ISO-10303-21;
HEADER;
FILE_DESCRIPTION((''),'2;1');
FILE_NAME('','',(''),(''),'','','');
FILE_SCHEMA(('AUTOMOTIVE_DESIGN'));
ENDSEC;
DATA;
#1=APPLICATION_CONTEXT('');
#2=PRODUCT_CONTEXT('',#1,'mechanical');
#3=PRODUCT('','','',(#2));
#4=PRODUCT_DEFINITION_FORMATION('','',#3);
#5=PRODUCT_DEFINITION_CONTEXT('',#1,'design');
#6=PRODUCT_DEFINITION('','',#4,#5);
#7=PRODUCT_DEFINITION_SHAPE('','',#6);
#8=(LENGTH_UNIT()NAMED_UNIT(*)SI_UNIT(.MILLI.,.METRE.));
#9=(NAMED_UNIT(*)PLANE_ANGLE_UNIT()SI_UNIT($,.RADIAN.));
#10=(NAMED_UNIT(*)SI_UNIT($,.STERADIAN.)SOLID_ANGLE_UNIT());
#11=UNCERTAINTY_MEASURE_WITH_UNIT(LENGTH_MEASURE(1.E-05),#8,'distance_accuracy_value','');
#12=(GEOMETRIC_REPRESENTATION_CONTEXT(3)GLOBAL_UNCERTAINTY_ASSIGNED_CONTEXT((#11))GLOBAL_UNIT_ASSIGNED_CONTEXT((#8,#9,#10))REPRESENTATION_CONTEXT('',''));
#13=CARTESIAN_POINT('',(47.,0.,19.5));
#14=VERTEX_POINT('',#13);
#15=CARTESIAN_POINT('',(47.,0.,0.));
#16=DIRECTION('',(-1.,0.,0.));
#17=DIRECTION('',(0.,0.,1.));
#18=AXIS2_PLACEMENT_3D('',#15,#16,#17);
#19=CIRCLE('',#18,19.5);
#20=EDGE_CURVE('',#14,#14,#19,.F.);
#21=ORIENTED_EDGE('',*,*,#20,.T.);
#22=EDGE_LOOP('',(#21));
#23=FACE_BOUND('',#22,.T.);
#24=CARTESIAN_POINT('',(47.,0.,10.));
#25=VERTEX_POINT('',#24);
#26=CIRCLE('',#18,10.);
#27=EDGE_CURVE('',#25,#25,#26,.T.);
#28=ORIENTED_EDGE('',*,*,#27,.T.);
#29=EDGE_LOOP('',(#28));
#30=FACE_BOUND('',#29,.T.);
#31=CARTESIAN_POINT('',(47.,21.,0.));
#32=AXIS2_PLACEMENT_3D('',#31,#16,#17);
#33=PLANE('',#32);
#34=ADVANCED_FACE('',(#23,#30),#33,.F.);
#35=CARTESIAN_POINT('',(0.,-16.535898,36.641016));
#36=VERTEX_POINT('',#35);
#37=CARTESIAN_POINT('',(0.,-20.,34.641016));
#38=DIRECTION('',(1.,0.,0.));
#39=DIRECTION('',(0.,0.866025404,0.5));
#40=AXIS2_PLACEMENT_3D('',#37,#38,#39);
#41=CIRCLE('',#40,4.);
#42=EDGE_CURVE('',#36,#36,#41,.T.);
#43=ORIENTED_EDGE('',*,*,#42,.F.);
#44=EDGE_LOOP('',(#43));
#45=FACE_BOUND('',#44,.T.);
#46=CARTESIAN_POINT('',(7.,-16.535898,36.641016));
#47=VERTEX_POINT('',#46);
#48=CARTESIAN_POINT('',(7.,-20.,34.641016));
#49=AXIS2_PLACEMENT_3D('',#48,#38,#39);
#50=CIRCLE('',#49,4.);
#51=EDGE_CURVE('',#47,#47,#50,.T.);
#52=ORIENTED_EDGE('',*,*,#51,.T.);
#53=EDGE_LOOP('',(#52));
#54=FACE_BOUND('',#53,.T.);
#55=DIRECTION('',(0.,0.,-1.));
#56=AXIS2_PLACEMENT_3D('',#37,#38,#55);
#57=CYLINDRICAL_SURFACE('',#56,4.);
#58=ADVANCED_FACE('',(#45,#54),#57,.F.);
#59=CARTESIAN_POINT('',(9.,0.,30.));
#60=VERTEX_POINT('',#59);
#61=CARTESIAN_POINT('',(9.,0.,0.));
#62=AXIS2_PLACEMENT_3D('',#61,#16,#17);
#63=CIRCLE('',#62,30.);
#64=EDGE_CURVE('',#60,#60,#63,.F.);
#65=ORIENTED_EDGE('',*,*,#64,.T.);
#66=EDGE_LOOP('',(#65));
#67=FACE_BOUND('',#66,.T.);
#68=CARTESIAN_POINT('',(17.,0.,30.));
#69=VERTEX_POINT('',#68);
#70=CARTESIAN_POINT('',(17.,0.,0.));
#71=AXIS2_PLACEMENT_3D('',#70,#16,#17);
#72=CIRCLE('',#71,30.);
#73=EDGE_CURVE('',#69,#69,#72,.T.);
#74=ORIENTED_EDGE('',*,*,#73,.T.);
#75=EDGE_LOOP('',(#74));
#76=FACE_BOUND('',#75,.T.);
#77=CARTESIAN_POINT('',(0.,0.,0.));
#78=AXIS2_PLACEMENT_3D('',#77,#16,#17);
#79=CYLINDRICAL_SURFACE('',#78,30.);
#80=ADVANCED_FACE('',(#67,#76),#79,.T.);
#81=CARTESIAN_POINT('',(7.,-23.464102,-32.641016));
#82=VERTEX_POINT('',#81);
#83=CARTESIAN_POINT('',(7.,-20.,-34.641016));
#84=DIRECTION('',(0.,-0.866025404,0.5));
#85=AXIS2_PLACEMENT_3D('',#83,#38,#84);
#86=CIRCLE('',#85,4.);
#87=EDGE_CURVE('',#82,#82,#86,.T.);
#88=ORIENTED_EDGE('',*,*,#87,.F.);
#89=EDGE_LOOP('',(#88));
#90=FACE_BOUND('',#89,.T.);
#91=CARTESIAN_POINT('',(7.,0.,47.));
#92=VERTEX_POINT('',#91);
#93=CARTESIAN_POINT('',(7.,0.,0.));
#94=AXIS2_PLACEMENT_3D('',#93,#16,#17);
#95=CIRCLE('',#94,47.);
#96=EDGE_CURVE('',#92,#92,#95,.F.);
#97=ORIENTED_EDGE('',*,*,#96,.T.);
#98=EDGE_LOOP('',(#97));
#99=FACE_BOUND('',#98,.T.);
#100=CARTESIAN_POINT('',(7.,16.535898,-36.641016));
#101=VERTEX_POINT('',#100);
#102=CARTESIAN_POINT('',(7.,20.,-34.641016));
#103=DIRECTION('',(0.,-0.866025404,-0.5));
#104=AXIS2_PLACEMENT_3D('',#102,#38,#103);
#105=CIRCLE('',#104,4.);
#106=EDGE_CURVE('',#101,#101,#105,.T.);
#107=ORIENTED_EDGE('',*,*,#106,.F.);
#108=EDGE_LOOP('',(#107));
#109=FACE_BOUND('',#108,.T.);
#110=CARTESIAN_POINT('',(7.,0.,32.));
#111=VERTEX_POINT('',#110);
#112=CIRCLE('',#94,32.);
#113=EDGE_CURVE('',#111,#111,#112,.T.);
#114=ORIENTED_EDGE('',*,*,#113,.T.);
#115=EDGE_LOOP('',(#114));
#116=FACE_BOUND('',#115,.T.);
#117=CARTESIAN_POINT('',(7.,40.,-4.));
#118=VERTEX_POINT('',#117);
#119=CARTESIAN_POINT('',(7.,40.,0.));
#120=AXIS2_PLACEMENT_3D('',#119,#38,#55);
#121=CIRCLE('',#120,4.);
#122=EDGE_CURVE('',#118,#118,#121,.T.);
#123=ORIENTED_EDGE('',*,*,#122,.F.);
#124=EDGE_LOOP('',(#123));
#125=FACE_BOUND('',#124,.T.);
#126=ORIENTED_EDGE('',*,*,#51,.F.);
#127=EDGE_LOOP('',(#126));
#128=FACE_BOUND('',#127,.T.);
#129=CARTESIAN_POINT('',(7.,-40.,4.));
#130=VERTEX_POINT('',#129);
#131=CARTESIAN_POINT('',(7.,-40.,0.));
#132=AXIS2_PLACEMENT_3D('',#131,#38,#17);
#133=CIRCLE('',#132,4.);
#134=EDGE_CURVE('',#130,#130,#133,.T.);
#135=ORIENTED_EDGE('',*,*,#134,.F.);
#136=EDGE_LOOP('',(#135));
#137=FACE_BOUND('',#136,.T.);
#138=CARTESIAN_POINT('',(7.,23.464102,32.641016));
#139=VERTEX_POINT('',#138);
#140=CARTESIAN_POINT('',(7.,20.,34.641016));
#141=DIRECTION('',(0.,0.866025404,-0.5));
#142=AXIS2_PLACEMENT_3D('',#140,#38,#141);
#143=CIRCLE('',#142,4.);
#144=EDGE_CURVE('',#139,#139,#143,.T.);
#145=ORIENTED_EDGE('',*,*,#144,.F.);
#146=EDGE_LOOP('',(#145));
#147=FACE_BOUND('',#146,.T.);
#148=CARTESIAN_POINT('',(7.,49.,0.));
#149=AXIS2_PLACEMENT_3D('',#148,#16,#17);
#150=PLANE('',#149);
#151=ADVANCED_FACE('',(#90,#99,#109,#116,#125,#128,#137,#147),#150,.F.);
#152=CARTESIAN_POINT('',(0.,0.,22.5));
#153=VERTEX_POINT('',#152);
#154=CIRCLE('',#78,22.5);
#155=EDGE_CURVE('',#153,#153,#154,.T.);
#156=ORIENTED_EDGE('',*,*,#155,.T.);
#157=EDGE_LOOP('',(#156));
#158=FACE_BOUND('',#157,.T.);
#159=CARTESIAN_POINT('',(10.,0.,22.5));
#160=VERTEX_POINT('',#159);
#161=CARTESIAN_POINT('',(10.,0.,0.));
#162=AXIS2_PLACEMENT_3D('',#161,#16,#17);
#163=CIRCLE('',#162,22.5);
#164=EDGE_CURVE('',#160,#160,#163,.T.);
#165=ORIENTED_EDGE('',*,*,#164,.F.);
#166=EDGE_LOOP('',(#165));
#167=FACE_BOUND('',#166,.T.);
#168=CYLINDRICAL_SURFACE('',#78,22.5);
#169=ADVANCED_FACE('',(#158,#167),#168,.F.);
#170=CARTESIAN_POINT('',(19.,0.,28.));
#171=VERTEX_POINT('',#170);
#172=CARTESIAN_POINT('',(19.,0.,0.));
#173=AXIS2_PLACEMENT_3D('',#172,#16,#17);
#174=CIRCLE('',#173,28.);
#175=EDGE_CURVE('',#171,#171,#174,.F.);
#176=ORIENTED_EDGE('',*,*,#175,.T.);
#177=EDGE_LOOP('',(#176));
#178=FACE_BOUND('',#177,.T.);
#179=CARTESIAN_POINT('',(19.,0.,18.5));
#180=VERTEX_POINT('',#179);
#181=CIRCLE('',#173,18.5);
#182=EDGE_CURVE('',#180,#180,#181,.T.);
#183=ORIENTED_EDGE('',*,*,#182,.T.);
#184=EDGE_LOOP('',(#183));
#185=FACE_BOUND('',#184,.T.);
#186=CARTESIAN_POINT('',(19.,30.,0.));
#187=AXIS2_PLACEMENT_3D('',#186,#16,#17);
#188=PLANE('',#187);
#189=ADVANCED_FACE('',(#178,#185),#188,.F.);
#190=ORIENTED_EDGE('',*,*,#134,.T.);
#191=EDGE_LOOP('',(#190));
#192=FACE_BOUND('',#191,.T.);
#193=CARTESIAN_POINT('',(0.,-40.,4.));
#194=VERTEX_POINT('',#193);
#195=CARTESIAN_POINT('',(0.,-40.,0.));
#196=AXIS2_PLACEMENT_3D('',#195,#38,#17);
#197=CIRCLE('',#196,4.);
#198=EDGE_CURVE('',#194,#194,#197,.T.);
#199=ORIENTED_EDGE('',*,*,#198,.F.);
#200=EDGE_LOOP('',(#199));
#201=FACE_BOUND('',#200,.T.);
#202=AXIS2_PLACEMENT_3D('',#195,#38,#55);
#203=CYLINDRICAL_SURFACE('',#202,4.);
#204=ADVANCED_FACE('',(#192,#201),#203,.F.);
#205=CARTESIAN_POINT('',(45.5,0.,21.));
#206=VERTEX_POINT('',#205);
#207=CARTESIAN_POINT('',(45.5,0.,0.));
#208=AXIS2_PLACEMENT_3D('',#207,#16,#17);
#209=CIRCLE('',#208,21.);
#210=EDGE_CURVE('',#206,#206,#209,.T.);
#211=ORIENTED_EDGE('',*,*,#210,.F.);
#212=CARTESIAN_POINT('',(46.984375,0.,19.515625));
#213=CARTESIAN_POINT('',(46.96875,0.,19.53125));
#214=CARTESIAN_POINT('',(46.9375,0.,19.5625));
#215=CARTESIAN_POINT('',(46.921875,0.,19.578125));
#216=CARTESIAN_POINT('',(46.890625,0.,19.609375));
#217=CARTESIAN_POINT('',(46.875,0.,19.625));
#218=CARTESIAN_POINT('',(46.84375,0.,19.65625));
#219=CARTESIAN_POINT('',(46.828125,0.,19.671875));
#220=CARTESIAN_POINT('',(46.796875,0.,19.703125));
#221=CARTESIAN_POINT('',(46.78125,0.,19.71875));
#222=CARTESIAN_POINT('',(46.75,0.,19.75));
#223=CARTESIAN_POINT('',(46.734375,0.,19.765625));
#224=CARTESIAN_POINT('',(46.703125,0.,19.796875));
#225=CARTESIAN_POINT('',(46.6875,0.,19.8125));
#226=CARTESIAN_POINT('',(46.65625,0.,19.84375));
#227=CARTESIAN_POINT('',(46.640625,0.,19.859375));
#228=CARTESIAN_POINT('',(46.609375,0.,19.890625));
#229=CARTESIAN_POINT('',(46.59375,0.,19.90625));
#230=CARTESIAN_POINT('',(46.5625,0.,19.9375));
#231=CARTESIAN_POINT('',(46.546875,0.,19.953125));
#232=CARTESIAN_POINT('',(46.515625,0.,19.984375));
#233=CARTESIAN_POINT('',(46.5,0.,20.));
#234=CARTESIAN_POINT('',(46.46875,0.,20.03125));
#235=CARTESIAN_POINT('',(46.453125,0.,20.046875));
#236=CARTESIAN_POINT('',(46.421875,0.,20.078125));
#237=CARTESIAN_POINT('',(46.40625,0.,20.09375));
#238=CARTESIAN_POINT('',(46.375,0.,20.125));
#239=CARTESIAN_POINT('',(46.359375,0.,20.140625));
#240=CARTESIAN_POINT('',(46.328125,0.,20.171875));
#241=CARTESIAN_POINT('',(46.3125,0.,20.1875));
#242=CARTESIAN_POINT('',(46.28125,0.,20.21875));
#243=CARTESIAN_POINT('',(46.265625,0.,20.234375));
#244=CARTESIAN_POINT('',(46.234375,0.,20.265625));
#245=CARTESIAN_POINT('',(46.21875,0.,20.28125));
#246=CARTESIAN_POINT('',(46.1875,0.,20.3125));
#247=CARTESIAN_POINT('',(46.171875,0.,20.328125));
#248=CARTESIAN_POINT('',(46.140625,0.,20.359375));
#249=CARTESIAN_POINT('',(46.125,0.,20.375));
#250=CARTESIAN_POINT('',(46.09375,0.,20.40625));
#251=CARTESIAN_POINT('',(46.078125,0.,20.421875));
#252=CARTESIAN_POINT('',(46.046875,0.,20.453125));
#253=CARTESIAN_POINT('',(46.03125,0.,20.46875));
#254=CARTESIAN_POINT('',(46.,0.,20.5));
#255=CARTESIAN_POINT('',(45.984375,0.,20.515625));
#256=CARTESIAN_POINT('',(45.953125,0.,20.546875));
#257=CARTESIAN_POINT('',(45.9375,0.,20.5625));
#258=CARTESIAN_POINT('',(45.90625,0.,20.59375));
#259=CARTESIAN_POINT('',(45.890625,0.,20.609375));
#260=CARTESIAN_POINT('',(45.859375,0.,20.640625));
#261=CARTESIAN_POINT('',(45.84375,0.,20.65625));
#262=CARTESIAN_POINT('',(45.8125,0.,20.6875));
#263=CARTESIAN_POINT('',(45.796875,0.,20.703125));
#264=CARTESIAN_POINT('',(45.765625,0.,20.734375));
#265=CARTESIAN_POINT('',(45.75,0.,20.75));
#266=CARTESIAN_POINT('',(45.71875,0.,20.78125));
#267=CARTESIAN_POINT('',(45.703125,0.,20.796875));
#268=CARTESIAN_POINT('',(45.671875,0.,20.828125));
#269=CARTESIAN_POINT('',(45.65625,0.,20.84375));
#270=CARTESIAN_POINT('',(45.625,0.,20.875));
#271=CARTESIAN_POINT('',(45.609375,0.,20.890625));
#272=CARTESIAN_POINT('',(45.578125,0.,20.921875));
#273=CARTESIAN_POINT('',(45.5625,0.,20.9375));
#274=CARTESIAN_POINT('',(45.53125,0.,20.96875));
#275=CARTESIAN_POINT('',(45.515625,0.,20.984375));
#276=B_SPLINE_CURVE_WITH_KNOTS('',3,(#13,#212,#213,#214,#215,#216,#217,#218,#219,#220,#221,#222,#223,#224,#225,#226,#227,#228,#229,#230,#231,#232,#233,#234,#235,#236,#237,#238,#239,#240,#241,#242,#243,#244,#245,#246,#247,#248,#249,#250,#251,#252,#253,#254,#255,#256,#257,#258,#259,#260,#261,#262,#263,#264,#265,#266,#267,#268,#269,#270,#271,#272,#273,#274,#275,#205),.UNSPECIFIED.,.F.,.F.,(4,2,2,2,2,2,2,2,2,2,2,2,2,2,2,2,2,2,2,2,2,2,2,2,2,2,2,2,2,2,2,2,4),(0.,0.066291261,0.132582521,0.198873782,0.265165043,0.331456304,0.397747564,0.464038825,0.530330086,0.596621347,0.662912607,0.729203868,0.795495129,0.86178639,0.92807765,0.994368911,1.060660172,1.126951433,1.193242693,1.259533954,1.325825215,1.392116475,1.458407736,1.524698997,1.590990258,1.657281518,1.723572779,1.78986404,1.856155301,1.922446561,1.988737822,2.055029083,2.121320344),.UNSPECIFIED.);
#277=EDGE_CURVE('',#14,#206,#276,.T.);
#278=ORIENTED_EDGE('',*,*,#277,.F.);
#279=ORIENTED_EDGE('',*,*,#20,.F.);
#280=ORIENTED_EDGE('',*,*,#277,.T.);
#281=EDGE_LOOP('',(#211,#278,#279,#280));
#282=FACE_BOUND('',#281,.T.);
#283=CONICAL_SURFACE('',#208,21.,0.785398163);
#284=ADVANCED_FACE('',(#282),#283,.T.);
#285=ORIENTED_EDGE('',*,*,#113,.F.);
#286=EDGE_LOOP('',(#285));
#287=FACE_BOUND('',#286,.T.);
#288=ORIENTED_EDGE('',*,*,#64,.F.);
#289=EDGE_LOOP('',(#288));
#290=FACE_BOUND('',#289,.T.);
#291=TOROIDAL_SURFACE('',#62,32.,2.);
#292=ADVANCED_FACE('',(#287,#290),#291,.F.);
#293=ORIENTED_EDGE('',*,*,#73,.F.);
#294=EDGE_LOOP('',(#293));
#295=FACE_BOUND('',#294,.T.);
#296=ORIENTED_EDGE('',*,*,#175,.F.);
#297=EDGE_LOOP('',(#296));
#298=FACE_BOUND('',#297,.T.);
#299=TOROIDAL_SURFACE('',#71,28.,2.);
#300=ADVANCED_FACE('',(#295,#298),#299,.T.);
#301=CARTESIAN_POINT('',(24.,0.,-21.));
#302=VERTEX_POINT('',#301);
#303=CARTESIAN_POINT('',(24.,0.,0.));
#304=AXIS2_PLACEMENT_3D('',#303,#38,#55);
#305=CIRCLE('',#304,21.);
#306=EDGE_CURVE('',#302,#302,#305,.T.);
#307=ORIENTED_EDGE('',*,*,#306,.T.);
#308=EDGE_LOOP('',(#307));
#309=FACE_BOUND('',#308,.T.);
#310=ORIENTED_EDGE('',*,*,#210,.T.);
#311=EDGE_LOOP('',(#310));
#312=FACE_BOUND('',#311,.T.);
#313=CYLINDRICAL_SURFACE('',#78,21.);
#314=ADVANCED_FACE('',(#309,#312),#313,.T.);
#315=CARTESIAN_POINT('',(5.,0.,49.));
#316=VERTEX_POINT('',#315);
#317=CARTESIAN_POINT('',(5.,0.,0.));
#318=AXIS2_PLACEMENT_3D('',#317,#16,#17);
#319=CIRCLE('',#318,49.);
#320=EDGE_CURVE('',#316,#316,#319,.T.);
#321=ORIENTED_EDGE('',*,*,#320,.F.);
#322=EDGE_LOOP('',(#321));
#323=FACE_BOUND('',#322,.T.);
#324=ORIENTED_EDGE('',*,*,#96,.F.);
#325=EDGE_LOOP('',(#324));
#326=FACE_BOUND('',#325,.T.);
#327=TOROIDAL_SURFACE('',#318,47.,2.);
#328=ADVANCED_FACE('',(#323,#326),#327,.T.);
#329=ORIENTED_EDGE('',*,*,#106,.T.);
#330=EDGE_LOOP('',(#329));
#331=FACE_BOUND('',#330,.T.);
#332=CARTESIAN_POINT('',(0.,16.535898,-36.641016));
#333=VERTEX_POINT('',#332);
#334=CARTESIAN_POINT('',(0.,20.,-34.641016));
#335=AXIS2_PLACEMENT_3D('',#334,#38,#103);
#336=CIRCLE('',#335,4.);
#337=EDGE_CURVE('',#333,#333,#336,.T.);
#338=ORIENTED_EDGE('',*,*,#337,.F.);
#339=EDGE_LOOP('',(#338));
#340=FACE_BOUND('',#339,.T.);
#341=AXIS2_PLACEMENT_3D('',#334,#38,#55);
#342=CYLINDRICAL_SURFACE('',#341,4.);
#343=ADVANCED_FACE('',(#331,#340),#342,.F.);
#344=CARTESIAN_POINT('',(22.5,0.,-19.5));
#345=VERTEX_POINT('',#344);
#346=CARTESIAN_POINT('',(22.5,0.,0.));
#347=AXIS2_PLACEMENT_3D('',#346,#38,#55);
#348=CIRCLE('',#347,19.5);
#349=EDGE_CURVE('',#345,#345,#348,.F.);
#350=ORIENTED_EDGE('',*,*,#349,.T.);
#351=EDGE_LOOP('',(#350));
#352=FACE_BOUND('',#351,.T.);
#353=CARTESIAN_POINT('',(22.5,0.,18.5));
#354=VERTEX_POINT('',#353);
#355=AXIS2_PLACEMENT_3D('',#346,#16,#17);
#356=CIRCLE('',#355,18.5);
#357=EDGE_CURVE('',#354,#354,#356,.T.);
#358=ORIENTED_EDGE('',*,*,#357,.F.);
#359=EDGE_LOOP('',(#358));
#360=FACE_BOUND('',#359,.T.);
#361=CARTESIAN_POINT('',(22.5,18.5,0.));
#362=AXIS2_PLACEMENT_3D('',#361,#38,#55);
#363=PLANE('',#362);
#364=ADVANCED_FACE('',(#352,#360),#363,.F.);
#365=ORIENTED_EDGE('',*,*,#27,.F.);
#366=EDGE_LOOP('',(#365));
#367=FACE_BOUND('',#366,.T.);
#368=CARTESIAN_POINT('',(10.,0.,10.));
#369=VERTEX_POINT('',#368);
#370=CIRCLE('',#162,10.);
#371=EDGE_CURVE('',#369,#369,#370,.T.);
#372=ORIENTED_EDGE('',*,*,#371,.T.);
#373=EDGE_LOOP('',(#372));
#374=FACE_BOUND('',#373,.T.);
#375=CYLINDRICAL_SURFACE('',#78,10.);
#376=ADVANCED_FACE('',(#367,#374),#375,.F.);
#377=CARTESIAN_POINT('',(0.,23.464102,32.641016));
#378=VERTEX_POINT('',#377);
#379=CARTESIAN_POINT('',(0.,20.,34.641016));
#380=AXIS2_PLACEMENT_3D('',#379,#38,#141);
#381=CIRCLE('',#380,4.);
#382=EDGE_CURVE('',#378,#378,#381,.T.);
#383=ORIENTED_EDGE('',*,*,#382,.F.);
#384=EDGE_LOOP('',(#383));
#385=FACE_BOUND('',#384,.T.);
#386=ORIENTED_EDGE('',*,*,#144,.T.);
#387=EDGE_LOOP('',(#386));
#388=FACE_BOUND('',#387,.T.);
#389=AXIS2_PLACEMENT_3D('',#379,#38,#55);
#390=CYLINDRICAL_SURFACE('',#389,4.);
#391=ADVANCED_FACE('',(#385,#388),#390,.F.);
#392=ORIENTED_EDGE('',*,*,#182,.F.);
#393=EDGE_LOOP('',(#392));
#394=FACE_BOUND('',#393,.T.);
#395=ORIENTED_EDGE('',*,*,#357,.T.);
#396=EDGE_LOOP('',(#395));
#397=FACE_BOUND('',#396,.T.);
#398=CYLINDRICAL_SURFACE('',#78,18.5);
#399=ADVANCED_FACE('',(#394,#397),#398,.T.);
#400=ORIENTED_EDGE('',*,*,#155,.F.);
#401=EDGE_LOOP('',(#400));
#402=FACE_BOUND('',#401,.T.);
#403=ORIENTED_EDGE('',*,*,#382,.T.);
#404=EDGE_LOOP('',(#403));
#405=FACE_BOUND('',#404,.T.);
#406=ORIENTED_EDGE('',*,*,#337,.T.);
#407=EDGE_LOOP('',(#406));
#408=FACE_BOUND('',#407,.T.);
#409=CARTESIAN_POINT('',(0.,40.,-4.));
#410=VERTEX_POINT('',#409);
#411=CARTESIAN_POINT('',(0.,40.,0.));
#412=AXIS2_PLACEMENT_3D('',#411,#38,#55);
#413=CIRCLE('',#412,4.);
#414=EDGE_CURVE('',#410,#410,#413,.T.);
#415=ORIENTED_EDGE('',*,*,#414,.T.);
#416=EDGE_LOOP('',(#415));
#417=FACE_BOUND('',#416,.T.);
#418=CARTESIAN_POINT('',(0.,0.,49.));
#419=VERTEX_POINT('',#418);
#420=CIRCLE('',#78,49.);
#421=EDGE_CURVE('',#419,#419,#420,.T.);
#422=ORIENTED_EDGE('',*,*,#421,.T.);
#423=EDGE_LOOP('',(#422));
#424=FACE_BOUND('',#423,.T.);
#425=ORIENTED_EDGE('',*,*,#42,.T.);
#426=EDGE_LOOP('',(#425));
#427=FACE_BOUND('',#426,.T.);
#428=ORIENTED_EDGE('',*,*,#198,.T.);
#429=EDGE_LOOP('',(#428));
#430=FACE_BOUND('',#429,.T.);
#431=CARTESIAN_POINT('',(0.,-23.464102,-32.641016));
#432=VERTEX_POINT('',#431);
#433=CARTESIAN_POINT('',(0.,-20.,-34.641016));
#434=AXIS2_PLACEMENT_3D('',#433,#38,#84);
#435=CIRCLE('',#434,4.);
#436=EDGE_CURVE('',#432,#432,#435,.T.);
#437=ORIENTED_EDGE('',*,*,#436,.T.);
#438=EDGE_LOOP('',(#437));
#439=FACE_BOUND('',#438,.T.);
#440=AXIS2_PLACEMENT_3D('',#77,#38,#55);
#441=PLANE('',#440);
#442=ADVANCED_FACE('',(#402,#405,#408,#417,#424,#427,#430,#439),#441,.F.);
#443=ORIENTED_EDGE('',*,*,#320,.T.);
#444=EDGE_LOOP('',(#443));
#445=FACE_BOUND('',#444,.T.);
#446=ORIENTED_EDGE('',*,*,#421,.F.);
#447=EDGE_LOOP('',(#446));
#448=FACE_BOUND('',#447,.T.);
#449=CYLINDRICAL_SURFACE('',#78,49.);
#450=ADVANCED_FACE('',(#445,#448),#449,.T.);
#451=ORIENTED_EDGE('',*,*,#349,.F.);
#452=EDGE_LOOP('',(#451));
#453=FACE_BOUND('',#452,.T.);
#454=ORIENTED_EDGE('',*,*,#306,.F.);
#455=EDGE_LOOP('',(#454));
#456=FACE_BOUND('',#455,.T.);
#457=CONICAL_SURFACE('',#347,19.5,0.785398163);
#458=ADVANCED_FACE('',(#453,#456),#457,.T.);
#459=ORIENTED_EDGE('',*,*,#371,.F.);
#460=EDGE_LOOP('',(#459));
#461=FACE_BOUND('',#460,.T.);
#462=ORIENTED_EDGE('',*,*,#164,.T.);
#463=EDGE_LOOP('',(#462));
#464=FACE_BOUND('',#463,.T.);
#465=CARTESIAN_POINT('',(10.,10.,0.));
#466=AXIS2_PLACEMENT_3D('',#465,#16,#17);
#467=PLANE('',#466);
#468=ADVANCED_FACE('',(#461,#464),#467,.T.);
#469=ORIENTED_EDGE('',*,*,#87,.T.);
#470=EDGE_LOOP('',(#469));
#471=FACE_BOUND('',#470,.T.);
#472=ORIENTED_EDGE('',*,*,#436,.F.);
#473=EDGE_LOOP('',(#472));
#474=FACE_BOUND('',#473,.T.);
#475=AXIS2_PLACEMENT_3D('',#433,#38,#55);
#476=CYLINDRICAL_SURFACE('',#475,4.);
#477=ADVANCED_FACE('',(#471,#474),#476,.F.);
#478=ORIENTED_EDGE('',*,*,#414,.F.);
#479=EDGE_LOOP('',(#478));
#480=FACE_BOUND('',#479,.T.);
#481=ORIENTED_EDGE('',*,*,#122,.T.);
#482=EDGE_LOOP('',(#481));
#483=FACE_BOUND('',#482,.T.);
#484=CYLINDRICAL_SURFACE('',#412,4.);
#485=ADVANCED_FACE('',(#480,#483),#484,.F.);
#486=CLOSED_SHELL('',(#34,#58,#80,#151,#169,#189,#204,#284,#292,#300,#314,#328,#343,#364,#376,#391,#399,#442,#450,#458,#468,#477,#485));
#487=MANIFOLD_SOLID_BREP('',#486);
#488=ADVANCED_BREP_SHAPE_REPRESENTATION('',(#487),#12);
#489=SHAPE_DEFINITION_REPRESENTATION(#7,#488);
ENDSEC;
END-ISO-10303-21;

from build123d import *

# Parameters (mm, degrees)
CHAMFER_1_SIZE           = 1.5
SKETCH_3_R               = 4
CUT_EXTRUDE_1_DEPTH      = 81.012499024
PATTERN_CIRCULAR_1_COUNT = 6
FILLET_1_R               = 2


with BuildPart() as part:
    # 草圖1 → 旋轉1 (revolve)
    with BuildSketch(Plane.XY, mode=Mode.PRIVATE) as revolve_1_sk:
        Polygon((0, 0), (0, 49), (7, 49), (7, 30), (19, 30), (19, 18.5), (22.5, 18.5), (22.5, 21), (47, 21), (47, 0), align=None)
    revolve(revolve_1_sk.sketch.rotate(Axis((0, 0, 0), (1, 0, 0)), 90), axis=Axis((0, 0, 0), (1, 0, 0)))

    # 草圖2 → 除料-旋轉1 (revolve, cut)
    with BuildSketch(Plane.XY, mode=Mode.PRIVATE) as cut_revolve_1_sk:
        Polygon((47, 0), (47, 10), (10, 10), (10, 22.5), (0, 22.5), (0, 0), align=None)
    revolve(cut_revolve_1_sk.sketch.rotate(Axis((0, 0, 0), (1, 0, 0)), 90), axis=Axis((0, 0, 0), (1, 0, 0)), mode=Mode.SUBTRACT)

    # 導角1
    chamfer_1_edges = [part.edges().sort_by_distance(p)[0] for p in [
        (47, 0, -21),
        (22.5, 0, -21),
    ]]
    chamfer(chamfer_1_edges, length=CHAMFER_1_SIZE)

    # 草圖3 → 伸長1 (cut, through all)
    with BuildSketch(Plane(origin=(7, 0, 0), x_dir=(0, 0, -1), z_dir=(1, 0, 0))):
        with Locations((0, 40)):
            Circle(SKETCH_3_R)
    cut_extrude_1 = extrude(amount=-CUT_EXTRUDE_1_DEPTH, mode=Mode.SUBTRACT)

    # 環狀複製排列1: 伸長1 ×6 about axis
    pattern_circular_1_axis = Axis((0, 0, 0), (1, 0, 0))
    for i in range(1, PATTERN_CIRCULAR_1_COUNT):
        add(cut_extrude_1.rotate(pattern_circular_1_axis, i * 360 / PATTERN_CIRCULAR_1_COUNT), mode=Mode.SUBTRACT)

    # 圓角1
    fillet_1_edges = [part.edges().sort_by_distance(p)[0] for p in [
        (7, 0, -49),
        (19, 0, -30),
        (7, 0, -30),
    ]]
    fillet(fillet_1_edges, radius=FILLET_1_R)


solid = part.part
